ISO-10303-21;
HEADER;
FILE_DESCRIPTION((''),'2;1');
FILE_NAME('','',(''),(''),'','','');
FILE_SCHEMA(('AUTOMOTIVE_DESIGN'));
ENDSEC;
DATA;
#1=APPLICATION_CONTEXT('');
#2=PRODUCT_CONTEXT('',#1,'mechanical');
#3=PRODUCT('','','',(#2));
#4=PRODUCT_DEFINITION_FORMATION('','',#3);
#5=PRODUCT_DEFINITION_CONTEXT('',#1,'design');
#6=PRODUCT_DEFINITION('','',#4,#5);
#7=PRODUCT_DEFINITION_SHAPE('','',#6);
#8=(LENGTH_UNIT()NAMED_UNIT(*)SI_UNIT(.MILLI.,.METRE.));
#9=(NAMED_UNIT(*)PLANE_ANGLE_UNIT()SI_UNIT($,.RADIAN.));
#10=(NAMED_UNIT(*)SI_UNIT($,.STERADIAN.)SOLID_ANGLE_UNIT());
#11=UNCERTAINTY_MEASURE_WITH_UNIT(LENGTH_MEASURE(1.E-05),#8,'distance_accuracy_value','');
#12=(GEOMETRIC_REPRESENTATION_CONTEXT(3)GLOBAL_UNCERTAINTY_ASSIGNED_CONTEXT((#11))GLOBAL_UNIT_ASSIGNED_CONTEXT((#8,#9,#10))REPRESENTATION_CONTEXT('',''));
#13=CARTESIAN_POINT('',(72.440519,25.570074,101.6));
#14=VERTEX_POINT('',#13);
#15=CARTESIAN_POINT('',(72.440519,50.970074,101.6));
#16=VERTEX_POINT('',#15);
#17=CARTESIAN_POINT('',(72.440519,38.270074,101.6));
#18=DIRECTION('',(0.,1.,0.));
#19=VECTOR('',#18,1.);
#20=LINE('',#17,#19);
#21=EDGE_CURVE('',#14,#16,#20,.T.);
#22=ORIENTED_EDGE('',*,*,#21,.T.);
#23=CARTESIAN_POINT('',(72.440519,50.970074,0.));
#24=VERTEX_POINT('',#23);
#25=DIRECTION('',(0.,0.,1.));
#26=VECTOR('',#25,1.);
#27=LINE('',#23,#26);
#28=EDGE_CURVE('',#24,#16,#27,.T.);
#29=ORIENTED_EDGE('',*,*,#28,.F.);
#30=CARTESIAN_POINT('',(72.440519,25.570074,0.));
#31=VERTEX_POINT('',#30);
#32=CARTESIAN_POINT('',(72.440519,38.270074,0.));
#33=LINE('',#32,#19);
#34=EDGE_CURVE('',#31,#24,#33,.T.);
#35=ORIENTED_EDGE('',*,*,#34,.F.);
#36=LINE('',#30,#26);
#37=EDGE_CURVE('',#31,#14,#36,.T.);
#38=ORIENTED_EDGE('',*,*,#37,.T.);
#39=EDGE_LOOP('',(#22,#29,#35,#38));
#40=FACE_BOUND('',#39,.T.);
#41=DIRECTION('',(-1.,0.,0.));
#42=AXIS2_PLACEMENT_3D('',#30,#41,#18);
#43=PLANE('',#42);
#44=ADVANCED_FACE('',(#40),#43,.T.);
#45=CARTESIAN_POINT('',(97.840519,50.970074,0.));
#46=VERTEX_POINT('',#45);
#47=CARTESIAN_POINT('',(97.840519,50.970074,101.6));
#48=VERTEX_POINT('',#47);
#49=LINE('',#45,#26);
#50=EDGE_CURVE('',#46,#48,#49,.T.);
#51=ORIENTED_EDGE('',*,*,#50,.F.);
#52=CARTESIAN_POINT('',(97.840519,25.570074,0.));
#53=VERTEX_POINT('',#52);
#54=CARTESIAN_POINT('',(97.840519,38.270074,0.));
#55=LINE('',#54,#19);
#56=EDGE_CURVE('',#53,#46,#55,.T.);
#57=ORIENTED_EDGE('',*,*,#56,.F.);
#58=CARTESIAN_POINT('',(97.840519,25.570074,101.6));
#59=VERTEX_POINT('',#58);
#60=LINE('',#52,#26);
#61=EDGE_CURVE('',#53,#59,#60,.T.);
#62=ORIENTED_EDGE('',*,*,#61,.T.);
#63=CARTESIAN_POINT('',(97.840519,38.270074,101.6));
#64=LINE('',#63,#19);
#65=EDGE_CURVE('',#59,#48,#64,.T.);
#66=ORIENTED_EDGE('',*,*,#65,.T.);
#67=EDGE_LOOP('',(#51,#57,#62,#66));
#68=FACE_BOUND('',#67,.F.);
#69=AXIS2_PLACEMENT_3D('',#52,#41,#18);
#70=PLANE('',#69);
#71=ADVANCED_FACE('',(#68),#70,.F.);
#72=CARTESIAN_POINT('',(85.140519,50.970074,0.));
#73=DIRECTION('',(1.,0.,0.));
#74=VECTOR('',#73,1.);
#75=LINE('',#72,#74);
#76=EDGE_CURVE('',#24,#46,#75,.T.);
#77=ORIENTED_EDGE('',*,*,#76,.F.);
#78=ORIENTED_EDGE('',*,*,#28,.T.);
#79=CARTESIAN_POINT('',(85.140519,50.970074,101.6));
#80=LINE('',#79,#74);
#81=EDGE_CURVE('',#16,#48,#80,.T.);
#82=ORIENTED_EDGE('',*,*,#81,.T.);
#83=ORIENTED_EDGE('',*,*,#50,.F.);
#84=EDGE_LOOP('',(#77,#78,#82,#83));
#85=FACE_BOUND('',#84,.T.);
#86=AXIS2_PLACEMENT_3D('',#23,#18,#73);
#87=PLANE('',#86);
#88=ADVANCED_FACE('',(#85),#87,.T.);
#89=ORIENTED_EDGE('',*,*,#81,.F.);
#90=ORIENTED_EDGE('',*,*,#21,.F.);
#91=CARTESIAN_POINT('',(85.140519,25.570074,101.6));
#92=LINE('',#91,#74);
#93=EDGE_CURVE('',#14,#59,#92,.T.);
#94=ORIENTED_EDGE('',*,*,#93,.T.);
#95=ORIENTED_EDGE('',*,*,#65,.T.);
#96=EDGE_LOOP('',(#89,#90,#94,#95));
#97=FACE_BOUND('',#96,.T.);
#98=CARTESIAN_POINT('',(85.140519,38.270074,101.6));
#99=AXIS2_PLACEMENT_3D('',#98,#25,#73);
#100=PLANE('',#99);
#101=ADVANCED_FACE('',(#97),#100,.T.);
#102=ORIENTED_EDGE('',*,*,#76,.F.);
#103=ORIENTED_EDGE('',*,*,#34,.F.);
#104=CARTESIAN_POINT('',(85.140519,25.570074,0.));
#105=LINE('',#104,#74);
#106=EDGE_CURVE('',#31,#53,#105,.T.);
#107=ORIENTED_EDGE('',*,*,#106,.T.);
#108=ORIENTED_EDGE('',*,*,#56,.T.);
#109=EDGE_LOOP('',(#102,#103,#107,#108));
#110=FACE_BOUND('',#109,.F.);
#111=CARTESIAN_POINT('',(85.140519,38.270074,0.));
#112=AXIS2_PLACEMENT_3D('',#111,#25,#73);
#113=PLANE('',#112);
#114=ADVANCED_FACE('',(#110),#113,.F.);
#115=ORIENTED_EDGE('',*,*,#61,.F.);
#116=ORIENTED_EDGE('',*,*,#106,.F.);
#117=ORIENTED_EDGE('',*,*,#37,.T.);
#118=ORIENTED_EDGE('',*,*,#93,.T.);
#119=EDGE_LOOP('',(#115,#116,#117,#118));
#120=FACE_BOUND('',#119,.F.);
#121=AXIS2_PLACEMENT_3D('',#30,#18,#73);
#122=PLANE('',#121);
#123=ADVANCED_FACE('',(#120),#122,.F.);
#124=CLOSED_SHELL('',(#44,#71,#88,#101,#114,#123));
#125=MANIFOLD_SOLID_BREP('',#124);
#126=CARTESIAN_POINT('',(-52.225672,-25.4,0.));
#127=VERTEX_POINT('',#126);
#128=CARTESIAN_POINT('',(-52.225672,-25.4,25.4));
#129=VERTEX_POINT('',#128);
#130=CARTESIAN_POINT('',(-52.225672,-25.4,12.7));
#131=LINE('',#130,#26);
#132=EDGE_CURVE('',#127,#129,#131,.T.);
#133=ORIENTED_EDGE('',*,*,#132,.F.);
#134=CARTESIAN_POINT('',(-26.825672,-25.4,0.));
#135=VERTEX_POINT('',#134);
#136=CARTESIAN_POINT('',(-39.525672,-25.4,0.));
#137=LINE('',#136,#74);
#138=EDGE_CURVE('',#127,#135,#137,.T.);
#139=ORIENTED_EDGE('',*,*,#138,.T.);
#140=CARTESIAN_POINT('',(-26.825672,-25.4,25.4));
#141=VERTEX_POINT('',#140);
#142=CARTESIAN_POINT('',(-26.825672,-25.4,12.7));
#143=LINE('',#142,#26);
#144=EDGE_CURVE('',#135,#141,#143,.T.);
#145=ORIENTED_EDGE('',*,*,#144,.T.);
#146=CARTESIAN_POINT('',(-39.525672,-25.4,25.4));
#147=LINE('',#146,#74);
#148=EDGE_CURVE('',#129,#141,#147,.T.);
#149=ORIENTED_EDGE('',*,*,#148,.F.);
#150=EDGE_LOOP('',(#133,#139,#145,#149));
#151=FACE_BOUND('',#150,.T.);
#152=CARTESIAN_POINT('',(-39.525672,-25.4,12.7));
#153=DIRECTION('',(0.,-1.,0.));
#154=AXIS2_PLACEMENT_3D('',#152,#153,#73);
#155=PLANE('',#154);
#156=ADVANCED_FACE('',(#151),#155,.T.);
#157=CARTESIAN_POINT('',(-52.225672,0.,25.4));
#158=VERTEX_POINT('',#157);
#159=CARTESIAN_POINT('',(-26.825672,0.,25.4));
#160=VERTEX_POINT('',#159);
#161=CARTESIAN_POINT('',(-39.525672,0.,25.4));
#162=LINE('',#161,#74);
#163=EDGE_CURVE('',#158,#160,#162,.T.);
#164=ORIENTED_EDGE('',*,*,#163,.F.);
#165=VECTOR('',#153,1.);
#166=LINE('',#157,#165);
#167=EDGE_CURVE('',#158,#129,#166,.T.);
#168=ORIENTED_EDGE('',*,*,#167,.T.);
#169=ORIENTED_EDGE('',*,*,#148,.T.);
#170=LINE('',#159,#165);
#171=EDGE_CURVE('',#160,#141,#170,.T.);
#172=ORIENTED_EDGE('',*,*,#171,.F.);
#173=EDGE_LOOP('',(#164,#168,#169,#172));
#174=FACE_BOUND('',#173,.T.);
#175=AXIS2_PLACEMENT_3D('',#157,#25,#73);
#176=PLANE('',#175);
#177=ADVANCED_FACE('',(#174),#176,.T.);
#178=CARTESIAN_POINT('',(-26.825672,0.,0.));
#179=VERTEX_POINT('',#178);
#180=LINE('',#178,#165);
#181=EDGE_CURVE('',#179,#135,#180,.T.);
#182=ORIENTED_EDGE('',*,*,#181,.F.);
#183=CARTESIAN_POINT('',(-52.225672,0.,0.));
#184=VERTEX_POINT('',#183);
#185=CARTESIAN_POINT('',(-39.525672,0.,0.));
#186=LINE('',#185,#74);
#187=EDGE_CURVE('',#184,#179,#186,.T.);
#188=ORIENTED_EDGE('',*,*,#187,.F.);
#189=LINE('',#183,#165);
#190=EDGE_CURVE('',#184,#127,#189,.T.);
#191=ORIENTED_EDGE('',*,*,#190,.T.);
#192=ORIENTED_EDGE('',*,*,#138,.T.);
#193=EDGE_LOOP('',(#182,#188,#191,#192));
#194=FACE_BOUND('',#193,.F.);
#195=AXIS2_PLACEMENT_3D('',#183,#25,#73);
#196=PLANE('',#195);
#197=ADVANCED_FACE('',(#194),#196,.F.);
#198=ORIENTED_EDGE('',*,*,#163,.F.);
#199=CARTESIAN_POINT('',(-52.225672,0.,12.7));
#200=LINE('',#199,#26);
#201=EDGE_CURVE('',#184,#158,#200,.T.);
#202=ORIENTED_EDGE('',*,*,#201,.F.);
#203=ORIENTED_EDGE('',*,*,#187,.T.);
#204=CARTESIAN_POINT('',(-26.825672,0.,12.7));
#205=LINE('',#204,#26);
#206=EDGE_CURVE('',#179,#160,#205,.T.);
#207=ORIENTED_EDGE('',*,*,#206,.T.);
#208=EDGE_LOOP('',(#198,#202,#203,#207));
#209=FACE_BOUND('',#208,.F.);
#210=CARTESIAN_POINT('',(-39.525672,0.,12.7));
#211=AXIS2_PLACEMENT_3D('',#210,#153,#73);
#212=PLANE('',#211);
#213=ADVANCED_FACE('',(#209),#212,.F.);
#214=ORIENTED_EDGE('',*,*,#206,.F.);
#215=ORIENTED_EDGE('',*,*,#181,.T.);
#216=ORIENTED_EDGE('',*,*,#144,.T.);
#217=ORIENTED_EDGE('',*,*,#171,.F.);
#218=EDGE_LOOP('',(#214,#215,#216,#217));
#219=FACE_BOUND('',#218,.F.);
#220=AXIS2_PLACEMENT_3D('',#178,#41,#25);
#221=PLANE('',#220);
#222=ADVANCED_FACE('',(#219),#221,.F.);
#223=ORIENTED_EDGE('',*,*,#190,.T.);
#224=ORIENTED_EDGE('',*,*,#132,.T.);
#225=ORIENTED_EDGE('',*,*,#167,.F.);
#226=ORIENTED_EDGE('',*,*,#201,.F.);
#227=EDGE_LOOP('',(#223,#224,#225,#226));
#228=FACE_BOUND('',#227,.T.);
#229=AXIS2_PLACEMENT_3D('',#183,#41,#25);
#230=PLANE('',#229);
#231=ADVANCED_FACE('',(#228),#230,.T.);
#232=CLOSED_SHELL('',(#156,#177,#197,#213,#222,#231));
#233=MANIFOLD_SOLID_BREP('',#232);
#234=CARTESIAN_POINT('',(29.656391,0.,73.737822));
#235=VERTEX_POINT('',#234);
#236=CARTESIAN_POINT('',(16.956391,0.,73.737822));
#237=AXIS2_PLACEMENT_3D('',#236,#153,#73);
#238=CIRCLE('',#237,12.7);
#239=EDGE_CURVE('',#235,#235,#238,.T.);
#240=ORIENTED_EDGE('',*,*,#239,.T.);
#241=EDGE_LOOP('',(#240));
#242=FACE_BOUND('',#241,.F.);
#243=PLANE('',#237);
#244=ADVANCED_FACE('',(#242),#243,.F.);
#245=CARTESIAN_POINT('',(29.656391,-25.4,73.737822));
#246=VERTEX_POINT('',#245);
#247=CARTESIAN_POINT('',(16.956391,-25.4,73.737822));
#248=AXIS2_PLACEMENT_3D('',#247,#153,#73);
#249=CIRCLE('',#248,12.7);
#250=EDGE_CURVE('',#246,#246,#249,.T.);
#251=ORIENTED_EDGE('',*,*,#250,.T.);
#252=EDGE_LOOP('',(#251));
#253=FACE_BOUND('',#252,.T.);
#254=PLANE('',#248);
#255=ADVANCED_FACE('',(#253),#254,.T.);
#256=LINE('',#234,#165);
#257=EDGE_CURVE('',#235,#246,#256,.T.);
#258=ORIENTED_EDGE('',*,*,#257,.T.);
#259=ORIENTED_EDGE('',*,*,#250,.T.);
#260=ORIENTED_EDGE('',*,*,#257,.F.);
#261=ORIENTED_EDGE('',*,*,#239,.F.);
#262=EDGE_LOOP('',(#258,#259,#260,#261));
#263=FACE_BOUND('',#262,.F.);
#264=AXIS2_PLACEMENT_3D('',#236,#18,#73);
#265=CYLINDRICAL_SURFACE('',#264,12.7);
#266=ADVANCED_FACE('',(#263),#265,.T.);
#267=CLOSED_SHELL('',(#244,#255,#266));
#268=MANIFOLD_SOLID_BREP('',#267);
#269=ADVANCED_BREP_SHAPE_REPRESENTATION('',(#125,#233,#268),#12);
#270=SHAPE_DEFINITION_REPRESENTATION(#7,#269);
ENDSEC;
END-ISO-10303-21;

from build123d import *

# Parameters (mm, degrees)
F0_W     = 25.4
F0_H     = 25.4
F1_DEPTH = 25.4
F2_W     = 25.4
F2_H     = 25.4
F3_DEPTH = 101.6
F4_R     = 12.7
F5_DEPTH = 25.4


with BuildPart() as f1:
    # F0 (on Front) → F1 (new body)
    with BuildSketch(Plane.XZ):
        with Locations((-39.525672, 12.7)):
            Rectangle(F0_W, F0_H)
    extrude(amount=F1_DEPTH)


with BuildPart() as f3:
    # F2 (on Top) → F3 (new body)
    with BuildSketch(Plane.XY):
        with Locations((85.140519, 38.270074)):
            Rectangle(F2_W, F2_H)
    extrude(amount=F3_DEPTH)


with BuildPart() as f5:
    # F4 (on Front) → F5 (new body)
    with BuildSketch(Plane.XZ):
        with Locations((16.956391, 73.737822)):
            Circle(F4_R)
    extrude(amount=F5_DEPTH)


solid = Compound([f1.part, f3.part, f5.part])
